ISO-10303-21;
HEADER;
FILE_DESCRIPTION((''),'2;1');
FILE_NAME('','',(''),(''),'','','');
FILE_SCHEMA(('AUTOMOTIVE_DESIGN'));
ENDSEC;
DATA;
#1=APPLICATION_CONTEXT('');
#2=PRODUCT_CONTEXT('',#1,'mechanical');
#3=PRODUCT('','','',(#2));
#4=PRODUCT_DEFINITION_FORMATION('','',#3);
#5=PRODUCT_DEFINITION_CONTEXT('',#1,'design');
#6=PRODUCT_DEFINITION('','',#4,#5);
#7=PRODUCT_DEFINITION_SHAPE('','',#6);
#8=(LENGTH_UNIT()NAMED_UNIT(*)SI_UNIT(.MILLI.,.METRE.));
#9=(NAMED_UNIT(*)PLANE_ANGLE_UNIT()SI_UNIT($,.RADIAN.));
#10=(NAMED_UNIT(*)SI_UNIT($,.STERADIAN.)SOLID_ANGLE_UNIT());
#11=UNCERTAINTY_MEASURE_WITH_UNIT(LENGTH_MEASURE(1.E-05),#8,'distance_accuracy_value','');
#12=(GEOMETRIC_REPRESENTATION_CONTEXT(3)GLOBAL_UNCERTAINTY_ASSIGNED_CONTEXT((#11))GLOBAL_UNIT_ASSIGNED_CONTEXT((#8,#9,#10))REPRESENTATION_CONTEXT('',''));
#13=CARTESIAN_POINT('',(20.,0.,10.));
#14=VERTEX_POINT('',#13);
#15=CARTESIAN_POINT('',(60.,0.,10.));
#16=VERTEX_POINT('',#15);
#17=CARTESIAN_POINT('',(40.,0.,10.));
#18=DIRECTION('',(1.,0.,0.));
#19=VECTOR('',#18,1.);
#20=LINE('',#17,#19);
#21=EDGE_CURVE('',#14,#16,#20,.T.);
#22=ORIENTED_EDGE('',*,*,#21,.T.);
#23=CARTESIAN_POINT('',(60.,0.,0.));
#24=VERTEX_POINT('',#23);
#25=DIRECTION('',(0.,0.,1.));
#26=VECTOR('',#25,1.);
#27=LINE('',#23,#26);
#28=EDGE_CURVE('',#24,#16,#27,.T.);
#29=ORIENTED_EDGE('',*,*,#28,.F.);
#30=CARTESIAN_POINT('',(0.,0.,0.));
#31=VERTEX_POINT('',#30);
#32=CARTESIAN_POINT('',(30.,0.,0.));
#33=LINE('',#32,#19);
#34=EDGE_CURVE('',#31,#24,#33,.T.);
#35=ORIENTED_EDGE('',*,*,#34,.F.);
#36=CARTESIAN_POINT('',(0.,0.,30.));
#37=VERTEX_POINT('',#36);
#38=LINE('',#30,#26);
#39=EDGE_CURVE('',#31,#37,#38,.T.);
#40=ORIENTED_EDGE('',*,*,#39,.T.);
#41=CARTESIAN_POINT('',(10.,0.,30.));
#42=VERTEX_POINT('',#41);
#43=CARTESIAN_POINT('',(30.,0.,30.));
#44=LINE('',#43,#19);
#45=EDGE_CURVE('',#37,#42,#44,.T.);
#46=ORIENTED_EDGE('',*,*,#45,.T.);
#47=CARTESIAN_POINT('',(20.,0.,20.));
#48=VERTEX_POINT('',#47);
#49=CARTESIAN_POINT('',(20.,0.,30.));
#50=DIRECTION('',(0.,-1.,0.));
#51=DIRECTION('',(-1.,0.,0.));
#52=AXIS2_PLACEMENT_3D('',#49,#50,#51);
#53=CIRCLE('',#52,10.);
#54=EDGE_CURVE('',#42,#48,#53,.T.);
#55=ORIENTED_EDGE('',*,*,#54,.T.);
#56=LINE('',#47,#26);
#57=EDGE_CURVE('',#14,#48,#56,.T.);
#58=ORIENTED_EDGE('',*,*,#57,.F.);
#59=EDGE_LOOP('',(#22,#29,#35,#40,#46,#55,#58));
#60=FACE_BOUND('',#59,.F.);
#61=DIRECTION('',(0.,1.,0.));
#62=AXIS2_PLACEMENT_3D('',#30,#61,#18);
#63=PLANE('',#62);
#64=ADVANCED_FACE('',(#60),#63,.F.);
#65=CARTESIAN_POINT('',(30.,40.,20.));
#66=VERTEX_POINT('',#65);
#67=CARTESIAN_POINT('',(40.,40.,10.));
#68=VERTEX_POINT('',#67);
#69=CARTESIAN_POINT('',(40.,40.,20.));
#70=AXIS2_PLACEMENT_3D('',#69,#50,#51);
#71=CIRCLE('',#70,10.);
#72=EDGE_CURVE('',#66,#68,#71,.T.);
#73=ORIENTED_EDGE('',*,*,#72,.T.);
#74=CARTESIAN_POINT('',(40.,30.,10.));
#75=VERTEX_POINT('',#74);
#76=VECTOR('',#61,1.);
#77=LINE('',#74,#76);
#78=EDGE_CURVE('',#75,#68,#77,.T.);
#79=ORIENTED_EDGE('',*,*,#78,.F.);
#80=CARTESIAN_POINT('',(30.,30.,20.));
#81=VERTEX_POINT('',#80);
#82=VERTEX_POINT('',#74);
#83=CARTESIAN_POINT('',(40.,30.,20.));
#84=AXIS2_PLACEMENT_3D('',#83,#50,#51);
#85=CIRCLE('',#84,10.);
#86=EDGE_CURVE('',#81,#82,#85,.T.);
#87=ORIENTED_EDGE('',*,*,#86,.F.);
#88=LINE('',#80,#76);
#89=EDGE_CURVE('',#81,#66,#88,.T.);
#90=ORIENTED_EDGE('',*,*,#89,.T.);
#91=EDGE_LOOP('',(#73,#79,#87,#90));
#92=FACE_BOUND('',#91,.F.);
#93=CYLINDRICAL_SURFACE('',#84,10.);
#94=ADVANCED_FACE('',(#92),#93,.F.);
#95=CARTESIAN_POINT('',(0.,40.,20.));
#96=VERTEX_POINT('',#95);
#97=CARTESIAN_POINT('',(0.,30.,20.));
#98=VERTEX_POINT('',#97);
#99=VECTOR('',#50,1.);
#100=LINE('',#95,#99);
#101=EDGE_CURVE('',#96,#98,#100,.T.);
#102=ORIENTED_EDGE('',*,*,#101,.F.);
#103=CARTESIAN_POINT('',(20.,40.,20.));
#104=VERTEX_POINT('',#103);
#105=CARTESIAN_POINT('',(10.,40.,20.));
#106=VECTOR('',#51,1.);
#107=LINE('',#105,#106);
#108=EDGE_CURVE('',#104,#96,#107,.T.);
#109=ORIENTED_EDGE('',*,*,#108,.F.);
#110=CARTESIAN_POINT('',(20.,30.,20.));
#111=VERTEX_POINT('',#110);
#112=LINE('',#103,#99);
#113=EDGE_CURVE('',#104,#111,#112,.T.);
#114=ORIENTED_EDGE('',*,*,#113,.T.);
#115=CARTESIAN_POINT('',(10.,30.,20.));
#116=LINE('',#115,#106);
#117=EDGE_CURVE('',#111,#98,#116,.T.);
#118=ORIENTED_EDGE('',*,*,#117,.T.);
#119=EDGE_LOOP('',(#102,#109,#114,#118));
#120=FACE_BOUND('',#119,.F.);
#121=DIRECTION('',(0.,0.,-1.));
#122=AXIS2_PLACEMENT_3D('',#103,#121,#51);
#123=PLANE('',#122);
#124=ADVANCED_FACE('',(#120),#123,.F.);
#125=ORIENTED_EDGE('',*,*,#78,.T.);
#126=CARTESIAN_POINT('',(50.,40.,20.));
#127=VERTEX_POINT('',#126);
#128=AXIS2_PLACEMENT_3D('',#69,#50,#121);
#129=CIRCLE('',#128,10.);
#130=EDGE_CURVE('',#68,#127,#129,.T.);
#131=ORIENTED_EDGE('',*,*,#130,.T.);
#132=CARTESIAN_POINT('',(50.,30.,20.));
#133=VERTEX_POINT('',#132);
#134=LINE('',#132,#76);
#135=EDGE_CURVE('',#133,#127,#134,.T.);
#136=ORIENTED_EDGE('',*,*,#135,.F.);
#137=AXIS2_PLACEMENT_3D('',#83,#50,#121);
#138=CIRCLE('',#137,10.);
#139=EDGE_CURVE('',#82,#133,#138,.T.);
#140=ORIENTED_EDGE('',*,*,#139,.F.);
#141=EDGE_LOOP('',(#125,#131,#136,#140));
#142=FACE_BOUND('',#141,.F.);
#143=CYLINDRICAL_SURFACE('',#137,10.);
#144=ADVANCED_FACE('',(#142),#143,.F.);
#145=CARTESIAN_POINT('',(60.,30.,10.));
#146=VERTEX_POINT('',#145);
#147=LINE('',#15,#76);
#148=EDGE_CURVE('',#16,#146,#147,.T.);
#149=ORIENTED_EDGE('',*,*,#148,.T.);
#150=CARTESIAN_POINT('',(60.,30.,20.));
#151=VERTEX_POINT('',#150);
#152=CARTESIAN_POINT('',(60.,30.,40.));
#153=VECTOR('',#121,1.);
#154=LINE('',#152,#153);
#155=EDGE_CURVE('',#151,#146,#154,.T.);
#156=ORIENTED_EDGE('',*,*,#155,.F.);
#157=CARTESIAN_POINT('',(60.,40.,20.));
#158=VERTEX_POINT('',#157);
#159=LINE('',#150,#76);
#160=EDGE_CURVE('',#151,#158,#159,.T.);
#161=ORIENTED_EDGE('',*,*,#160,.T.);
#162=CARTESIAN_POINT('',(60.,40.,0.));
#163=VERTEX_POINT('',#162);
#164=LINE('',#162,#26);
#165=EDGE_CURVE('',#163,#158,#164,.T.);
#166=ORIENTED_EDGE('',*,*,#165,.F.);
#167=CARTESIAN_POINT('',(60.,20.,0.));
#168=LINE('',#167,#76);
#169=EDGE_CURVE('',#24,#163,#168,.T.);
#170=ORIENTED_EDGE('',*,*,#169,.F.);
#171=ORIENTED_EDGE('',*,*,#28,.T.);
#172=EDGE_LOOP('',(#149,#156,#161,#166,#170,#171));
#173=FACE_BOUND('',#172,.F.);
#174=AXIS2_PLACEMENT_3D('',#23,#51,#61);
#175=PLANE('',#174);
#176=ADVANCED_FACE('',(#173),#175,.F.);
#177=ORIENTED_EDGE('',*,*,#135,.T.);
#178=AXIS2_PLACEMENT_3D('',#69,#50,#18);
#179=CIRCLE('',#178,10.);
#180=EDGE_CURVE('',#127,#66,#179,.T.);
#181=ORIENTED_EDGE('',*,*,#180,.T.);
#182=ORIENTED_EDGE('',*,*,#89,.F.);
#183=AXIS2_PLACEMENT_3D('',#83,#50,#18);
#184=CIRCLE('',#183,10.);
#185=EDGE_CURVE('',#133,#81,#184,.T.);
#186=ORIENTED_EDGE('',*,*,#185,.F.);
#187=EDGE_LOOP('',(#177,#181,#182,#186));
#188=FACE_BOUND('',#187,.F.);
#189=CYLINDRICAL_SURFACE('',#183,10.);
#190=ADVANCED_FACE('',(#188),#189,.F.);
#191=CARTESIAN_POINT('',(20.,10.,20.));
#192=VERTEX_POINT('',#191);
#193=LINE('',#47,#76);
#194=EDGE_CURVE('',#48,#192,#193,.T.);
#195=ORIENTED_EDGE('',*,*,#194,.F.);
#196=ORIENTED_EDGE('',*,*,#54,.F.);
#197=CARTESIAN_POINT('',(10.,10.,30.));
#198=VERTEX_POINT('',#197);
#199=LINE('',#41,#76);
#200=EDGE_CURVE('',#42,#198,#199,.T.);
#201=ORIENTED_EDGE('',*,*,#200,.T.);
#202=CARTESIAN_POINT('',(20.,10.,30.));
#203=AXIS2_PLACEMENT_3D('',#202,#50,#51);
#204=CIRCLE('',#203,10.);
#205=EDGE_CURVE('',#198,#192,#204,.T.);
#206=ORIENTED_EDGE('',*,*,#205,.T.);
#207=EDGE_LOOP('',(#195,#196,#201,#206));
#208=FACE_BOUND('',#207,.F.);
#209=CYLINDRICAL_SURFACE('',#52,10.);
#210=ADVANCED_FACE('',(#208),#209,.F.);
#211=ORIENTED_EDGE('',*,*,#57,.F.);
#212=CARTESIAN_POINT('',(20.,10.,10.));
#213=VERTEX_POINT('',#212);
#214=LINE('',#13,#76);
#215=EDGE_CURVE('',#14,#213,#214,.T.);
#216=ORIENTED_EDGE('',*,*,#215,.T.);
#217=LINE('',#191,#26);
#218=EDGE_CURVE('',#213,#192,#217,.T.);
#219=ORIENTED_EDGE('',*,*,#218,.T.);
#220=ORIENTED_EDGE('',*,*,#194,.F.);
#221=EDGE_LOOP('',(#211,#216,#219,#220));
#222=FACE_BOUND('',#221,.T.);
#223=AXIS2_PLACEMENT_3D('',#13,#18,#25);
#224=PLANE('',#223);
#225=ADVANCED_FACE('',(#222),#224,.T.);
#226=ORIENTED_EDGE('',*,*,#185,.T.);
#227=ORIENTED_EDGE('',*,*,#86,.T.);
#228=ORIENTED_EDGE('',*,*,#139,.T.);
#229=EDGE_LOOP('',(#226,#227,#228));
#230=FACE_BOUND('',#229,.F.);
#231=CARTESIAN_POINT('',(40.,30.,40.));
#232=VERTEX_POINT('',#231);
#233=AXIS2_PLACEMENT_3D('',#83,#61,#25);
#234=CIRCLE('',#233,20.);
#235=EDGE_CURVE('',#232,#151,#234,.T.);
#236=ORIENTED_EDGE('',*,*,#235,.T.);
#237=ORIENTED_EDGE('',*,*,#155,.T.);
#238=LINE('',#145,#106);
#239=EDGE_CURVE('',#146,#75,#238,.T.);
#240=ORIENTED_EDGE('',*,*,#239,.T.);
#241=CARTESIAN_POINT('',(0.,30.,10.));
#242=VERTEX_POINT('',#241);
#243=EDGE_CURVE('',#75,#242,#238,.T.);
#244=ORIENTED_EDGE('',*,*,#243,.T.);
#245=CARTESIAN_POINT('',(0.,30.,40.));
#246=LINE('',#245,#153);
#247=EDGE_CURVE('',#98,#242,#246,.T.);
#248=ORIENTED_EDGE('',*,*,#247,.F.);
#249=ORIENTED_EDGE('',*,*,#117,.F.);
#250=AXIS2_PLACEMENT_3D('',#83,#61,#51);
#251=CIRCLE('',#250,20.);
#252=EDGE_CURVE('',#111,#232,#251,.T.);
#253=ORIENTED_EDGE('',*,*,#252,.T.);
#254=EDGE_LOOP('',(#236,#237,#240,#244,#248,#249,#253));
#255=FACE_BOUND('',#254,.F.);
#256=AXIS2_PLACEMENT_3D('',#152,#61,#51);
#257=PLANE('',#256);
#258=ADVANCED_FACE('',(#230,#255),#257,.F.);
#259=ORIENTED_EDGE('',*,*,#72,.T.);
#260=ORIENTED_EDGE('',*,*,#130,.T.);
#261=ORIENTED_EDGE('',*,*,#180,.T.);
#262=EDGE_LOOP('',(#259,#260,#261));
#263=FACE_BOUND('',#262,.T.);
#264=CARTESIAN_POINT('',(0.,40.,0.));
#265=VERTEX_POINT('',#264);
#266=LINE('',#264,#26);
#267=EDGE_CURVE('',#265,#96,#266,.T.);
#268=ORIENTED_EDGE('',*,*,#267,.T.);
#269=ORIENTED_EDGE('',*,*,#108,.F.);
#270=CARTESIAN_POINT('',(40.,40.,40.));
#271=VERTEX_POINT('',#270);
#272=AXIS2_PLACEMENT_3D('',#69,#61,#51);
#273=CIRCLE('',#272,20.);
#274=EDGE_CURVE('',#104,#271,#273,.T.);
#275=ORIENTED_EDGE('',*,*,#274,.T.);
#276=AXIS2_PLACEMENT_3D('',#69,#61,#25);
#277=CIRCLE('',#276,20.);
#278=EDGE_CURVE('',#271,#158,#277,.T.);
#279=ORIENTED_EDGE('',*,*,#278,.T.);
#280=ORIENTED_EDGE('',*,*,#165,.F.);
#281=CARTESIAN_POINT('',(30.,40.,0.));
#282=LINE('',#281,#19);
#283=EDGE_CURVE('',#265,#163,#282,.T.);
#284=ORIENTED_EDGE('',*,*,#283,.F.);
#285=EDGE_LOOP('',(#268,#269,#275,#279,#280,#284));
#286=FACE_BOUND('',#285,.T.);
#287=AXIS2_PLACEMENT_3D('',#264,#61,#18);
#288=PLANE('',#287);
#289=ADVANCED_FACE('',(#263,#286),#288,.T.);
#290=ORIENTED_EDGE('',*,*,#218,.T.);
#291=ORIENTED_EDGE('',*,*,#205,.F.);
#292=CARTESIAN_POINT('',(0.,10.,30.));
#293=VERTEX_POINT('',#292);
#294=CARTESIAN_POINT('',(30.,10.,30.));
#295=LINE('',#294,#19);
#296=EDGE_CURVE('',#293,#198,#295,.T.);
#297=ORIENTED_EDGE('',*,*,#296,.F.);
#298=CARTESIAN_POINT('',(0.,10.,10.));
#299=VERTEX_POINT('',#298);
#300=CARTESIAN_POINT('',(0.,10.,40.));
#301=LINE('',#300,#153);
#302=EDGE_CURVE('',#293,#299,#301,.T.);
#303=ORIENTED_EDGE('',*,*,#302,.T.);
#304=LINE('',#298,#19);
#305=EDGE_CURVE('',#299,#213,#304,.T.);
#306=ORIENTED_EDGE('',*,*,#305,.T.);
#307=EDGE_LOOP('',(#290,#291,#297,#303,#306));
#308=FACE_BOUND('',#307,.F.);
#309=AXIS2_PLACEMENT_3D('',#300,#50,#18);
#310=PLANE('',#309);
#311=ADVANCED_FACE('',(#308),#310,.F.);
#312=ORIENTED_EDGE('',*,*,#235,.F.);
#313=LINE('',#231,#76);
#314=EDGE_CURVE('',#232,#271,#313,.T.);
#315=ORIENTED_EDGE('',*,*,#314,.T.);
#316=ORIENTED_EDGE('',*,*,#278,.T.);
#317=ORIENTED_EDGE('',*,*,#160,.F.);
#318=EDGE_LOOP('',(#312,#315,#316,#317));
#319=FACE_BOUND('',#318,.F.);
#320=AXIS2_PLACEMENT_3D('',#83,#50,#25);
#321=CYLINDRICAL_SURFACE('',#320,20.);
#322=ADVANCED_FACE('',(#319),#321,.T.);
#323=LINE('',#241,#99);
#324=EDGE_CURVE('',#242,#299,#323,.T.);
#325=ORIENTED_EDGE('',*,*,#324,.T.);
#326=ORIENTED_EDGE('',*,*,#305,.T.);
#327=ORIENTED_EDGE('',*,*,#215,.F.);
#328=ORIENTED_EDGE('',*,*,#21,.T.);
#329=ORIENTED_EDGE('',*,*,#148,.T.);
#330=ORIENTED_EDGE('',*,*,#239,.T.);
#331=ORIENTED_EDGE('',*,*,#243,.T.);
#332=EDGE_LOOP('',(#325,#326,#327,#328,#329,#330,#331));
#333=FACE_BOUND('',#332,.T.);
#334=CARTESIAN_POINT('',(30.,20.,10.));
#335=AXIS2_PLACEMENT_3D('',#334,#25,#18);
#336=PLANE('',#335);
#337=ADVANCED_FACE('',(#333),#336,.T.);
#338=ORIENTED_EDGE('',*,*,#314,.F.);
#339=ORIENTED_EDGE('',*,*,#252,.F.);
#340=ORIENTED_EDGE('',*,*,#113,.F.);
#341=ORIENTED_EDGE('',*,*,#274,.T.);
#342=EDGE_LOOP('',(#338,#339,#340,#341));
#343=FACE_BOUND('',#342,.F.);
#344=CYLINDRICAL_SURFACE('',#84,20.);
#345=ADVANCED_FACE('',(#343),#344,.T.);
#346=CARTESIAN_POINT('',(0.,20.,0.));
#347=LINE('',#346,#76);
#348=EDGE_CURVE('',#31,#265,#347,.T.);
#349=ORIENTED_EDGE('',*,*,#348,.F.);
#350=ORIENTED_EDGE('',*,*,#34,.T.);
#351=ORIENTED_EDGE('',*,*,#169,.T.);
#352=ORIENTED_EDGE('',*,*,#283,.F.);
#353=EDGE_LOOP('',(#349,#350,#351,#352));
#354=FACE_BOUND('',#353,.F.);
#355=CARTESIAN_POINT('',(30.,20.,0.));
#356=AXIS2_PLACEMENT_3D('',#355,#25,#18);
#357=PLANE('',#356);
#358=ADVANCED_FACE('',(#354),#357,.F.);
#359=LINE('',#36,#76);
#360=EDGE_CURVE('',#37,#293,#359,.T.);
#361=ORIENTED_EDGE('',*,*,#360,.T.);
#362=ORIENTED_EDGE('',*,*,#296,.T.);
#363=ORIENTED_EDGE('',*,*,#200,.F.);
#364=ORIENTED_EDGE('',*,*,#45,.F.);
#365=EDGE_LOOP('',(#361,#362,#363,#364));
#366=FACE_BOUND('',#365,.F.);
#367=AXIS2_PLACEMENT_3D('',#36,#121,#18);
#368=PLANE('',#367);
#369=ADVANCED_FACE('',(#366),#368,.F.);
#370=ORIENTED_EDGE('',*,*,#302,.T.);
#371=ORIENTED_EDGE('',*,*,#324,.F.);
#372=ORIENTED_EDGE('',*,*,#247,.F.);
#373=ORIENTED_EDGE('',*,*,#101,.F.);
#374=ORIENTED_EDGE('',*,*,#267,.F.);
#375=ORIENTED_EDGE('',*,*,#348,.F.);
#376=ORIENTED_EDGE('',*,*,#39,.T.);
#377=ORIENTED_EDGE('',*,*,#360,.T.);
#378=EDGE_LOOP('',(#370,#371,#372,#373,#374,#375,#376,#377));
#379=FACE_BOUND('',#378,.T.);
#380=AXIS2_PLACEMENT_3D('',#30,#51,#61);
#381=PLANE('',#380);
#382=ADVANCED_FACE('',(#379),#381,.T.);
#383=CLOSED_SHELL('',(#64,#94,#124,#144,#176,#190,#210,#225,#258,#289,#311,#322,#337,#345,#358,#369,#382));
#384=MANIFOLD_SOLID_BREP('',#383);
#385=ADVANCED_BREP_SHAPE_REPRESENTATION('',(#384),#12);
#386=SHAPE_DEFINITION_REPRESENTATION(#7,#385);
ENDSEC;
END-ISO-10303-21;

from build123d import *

# Parameters (mm, degrees)
F0_W      = 60
F0_H      = 40
F1_DEPTH  = 40
F2_W      = 20
F2_H      = 10
F3_DEPTH  = 10
F4_DEPTH  = 30
F5_W      = 60
F5_H      = 10
F6_DEPTH  = 10
F7_W      = 40
F7_H      = 20
F8_DEPTH  = 10
F10_DEPTH = 10
F11_W     = 20
F11_H     = 10
F12_DEPTH = 10
F14_DEPTH = 10


with BuildPart() as f1:
    # F0 (on Top) → F1 (new body)
    with BuildSketch(Plane.XY):
        with Locations((30, 20)):
            Rectangle(F0_W, F0_H)
    extrude(amount=F1_DEPTH)

    # F2 (on face) → F3 (cut)
    with BuildSketch(Plane.XY.offset(40)):
        with Locations((10, 35)):
            Rectangle(F2_W, F2_H)
    extrude(amount=-F3_DEPTH, mode=Mode.SUBTRACT)

    # F2 (on face) → F4 (cut)
    with BuildSketch(Plane.XY.offset(40)):
        Polygon((20, 30), (0, 30), (0, 10), (60, 10), (60, 30), align=None)
    extrude(amount=-F4_DEPTH, mode=Mode.SUBTRACT)

    # F5 (on face) → F6 (cut)
    with BuildSketch(Plane.XZ):
        with Locations((30, 35)):
            Rectangle(F5_W, F5_H)
    extrude(amount=-F6_DEPTH, mode=Mode.SUBTRACT)

    # F7 (on face) → F8 (cut)
    with BuildSketch(Plane.XZ):
        with Locations((40, 20)):
            Rectangle(F7_W, F7_H)
    extrude(amount=-F8_DEPTH, mode=Mode.SUBTRACT)

    # F9 (on face) → F10 (cut)
    with BuildSketch(Plane.XZ):
        with BuildLine():
            ThreePointArc((10, 30), (12.9289321881, 22.9289321881), (20, 20))
            Line((20, 20), (20, 30))
            Line((20, 30), (10, 30))
        make_face()
    extrude(amount=-F10_DEPTH, mode=Mode.SUBTRACT)

    # F11 (on face) → F12 (cut)
    with BuildSketch(Plane(origin=(0, 40, 0), x_dir=(-1, 0, 0), z_dir=(0, 1, 0))):
        with Locations((-10, 25)):
            Rectangle(F11_W, F11_H)
    extrude(amount=-F12_DEPTH, mode=Mode.SUBTRACT)

    # F13 (on face) → F14 (cut)
    with BuildSketch(Plane.XZ.offset(-30)):
        with BuildLine():
            Line((40, 20), (50, 20))
            ThreePointArc((50, 20), (40, 30), (30, 20))
            Line((30, 20), (40, 20))
        make_face()
        with BuildLine():
            ThreePointArc((30, 20), (32.9289321881, 12.9289321881), (40, 10))
            ThreePointArc((40, 10), (47.0710678119, 12.9289321881), (50, 20))
            Line((50, 20), (40, 20))
            Line((40, 20), (30, 20))
        make_face()
        with BuildLine():
            ThreePointArc((40, 40), (54.1421356237, 34.1421356237), (60, 20))
            Line((60, 20), (60, 40))
            Line((60, 40), (40, 40))
        make_face()
        with BuildLine():
            ThreePointArc((20, 20), (25.8578643763, 34.1421356237), (40, 40))
            Line((40, 40), (20, 40))
            Line((20, 40), (20, 20))
        make_face()
    extrude(amount=-F14_DEPTH, mode=Mode.SUBTRACT)


solid = f1.part
